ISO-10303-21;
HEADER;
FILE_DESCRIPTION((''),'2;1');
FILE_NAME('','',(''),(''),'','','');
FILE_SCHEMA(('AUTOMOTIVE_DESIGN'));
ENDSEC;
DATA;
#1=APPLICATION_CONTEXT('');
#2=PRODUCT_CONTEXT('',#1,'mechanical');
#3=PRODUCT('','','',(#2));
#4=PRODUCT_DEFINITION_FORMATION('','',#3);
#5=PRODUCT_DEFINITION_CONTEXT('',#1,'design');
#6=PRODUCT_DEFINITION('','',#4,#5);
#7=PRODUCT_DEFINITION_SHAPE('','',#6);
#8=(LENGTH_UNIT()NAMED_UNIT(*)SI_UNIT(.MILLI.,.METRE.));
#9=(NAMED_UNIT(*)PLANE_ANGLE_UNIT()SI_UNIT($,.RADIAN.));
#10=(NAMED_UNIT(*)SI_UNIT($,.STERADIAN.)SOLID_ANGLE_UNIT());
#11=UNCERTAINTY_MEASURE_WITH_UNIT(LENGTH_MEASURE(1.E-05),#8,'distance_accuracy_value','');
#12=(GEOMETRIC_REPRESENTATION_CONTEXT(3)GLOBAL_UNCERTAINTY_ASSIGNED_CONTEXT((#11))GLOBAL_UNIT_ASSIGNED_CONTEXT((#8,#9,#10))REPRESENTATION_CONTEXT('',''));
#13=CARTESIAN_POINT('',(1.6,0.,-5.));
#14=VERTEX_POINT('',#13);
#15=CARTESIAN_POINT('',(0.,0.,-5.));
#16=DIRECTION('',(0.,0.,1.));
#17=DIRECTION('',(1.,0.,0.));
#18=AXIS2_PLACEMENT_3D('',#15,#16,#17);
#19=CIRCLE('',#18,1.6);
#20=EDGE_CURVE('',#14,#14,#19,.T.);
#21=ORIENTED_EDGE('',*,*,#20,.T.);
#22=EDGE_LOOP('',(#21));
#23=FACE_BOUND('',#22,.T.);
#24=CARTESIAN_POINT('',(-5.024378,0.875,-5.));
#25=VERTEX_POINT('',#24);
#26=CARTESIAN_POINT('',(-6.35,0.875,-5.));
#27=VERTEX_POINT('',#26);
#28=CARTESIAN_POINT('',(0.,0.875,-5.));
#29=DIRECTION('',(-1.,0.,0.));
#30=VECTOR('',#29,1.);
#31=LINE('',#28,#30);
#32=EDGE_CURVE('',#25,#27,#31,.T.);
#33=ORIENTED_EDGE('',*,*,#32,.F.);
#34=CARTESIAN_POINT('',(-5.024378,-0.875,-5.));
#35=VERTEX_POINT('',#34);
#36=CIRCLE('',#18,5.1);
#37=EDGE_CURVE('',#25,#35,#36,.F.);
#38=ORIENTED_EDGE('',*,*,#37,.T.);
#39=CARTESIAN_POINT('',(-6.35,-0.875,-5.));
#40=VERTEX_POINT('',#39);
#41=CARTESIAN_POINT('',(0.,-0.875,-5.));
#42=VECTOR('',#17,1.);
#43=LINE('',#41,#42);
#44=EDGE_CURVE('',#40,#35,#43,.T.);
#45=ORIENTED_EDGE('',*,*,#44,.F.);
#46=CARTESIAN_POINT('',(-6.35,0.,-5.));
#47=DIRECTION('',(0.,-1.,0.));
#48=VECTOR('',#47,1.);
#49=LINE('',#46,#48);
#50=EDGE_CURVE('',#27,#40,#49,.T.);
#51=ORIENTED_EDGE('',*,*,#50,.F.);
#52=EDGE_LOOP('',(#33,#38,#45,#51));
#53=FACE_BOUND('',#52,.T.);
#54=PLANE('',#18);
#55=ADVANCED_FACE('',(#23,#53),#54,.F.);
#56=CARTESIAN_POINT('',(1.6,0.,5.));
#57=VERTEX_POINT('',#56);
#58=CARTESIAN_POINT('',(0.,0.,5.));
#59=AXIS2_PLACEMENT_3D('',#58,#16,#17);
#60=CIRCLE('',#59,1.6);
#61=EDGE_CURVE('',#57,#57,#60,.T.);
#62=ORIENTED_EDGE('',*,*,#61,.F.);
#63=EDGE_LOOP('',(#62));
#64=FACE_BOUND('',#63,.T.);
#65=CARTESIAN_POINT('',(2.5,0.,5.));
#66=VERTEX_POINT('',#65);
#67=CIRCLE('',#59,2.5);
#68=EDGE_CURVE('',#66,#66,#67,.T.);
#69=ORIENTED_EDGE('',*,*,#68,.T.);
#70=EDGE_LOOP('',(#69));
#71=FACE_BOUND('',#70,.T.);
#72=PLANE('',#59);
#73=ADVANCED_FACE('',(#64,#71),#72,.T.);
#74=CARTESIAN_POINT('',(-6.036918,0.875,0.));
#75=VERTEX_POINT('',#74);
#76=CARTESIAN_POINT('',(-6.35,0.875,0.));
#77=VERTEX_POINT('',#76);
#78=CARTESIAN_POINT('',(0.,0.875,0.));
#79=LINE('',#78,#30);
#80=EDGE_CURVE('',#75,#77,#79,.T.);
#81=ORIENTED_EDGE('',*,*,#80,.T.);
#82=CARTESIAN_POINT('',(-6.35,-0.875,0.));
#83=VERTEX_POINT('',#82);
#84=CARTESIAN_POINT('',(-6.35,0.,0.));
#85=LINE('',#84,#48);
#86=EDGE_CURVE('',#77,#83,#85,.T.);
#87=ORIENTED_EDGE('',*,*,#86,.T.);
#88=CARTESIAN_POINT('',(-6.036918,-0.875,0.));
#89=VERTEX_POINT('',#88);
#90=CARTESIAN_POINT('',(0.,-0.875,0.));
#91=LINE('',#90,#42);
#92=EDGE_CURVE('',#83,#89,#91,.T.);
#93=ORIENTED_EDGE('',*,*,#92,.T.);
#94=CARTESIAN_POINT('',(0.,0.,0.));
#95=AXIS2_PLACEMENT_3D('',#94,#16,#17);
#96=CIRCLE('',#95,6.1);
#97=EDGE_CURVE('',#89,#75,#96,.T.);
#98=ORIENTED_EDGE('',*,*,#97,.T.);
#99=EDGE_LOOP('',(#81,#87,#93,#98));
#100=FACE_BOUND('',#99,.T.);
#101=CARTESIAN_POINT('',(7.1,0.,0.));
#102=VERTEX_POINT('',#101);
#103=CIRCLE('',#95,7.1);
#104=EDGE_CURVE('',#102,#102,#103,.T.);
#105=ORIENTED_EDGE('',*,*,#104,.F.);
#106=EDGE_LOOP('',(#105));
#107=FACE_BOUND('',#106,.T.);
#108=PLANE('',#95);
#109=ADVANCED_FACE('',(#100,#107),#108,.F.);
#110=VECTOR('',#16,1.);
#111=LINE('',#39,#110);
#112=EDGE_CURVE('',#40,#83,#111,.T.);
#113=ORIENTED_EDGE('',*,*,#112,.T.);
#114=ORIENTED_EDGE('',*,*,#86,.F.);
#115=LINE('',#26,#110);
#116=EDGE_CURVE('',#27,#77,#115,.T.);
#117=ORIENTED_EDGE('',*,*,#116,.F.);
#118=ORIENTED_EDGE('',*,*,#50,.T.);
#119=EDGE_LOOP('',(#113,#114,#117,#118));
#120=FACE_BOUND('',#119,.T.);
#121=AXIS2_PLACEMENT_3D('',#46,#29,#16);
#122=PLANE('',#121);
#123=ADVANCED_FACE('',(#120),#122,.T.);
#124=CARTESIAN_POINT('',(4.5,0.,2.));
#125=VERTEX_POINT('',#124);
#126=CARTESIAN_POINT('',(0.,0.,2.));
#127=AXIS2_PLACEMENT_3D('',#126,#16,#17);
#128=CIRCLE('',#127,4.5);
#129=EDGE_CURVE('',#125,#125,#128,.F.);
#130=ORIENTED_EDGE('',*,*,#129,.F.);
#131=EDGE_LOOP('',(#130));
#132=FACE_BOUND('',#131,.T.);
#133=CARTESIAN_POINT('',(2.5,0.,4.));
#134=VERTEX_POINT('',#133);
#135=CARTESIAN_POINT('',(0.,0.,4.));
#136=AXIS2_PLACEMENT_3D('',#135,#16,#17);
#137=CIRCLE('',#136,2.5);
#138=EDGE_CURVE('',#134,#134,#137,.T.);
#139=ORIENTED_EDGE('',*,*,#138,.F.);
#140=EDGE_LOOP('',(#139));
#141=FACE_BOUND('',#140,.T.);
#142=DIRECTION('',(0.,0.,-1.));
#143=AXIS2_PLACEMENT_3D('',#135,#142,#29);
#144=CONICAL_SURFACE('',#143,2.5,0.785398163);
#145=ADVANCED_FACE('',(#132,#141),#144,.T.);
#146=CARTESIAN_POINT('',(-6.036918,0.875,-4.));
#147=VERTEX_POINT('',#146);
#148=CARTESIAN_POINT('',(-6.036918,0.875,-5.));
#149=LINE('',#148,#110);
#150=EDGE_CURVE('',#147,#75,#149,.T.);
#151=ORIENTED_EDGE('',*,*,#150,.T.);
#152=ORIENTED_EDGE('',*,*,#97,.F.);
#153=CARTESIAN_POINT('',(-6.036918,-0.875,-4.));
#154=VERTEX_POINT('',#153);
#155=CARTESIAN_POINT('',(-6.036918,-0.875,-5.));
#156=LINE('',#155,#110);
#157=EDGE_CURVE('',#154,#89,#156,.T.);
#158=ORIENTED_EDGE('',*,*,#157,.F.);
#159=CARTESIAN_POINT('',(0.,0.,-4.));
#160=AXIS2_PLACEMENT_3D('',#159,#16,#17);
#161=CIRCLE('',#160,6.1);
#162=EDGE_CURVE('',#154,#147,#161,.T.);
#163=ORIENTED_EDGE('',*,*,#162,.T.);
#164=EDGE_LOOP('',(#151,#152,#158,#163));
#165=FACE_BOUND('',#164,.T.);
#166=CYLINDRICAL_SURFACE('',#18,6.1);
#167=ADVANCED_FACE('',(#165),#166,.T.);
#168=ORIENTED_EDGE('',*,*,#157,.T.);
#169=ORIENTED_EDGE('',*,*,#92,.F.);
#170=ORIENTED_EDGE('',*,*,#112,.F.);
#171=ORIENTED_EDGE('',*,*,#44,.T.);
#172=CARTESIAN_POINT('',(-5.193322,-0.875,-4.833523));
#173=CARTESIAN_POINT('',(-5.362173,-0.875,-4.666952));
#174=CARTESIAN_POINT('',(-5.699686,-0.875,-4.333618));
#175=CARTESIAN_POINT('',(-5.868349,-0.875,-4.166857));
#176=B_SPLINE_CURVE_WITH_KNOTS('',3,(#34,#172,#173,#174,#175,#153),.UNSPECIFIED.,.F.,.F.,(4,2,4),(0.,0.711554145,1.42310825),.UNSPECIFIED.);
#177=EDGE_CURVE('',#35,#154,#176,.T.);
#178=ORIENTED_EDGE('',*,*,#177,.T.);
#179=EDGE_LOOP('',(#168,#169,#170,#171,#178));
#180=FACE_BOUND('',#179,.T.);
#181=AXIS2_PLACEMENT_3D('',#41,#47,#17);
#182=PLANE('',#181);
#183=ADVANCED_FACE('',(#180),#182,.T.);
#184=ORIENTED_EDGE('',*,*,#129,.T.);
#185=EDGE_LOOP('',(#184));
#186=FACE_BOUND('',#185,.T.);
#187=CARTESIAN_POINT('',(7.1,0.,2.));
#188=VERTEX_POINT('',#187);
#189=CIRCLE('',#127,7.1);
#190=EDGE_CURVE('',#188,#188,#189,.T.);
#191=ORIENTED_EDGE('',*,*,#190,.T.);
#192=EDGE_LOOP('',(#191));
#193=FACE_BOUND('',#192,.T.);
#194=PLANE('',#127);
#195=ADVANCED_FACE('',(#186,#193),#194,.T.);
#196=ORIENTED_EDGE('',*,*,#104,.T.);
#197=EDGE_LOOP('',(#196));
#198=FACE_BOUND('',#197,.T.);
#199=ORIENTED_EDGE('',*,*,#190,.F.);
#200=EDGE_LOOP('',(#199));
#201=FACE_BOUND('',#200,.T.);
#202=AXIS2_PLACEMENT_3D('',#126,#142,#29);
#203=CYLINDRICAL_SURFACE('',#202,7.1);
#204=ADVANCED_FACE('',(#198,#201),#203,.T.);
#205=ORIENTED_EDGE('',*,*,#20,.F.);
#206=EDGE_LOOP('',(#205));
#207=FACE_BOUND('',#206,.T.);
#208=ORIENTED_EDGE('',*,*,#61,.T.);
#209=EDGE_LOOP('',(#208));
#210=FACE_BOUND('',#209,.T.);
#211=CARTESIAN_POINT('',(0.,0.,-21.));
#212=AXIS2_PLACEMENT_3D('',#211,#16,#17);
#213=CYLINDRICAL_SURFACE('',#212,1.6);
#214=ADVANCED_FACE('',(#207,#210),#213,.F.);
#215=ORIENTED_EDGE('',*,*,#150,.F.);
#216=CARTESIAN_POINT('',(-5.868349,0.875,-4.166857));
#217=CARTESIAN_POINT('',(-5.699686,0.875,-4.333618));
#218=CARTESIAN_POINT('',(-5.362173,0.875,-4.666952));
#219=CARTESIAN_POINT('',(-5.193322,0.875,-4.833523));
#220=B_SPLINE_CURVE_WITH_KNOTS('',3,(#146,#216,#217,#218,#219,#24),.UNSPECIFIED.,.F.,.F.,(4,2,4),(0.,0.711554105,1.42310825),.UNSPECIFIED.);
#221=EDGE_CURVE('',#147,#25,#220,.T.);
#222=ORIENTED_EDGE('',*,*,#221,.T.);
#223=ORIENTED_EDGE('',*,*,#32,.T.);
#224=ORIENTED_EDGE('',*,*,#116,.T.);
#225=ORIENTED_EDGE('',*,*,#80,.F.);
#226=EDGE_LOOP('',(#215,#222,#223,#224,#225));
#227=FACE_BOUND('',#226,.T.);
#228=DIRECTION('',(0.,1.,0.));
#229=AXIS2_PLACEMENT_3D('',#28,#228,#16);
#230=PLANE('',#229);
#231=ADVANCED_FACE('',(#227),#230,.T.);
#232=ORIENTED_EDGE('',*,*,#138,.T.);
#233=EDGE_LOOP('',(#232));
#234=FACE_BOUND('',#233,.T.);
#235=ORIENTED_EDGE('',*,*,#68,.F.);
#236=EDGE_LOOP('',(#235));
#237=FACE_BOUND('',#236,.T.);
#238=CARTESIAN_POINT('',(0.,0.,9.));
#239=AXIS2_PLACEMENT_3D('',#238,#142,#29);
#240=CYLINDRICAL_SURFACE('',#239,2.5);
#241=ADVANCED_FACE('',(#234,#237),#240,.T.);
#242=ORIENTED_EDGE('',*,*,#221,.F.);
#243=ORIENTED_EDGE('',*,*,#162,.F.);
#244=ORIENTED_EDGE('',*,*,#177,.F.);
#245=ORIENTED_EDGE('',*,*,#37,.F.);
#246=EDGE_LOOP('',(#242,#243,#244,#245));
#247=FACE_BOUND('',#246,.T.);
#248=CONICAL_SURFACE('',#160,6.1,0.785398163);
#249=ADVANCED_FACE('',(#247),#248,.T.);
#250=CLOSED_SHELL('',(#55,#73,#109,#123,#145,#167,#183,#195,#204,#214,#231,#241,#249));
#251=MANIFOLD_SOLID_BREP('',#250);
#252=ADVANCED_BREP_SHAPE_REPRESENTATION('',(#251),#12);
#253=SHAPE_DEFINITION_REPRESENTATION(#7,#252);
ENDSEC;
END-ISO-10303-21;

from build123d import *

# Parameters (mm, degrees)
EXTRUDE_1_DEPTH     = 5
SKETCH_2_R          = 7.1
EXTRUDE_2_DEPTH     = 2
SKETCH_3_R          = 2.5
EXTRUDE_3_DEPTH     = 7
CHAMFER_1_SIZE      = 2
SKETCH_4_R          = 1.6
CUT_EXTRUDE_1_DEPTH = 30
CHAMFER_2_SIZE      = 1
MOVE_FACE_1_BY      = 4


with BuildPart() as part:
    # ｽｹｯﾁ1 → ﾎﾞｽ - 押し出し1 (new body)
    with BuildSketch(Plane.XY):
        with BuildLine():
            Line((-6.35, -0.875), (-6.036917674, -0.875))
            ThreePointArc((-6.036917674, -0.875), (6.1, 0), (-6.036917674, 0.875))
            Line((-6.036917674, 0.875), (-6.35, 0.875))
            Line((-6.35, 0.875), (-6.35, -0.875))
        make_face()
    extrude(amount=-EXTRUDE_1_DEPTH)

    # ｽｹｯﾁ2 → ﾎﾞｽ - 押し出し2 (add)
    with BuildSketch(Plane.XY):
        Circle(SKETCH_2_R)
    extrude(amount=EXTRUDE_2_DEPTH)

    # ｽｹｯﾁ3 → ﾎﾞｽ - 押し出し3 (add)
    with BuildSketch(Plane.XY.offset(2)):
        Circle(SKETCH_3_R)
    extrude(amount=EXTRUDE_3_DEPTH)

    # 面取り1
    chamfer_1_edges = [part.edges().sort_by_distance(p)[0] for p in [
        (-2.5, 0, 2),
    ]]
    chamfer(chamfer_1_edges, length=CHAMFER_1_SIZE)

    # ｽｹｯﾁ4 → ｶｯﾄ - 押し出し1 (cut)
    with BuildSketch(Plane.XY.offset(9)):
        Circle(SKETCH_4_R)
    extrude(amount=-CUT_EXTRUDE_1_DEPTH, mode=Mode.SUBTRACT)

    # 面取り2
    chamfer_2_edges = [part.edges().sort_by_distance(p)[0] for p in [
        (6.1, 0, -5),
    ]]
    chamfer(chamfer_2_edges, length=CHAMFER_2_SIZE)

    # Move Face 1: a face moved inward by 4.0
    extrude(part.faces().sort_by_distance((0, -2, 9))[0], amount=MOVE_FACE_1_BY, dir=(0, 0, -1), mode=Mode.SUBTRACT)


solid = part.part
